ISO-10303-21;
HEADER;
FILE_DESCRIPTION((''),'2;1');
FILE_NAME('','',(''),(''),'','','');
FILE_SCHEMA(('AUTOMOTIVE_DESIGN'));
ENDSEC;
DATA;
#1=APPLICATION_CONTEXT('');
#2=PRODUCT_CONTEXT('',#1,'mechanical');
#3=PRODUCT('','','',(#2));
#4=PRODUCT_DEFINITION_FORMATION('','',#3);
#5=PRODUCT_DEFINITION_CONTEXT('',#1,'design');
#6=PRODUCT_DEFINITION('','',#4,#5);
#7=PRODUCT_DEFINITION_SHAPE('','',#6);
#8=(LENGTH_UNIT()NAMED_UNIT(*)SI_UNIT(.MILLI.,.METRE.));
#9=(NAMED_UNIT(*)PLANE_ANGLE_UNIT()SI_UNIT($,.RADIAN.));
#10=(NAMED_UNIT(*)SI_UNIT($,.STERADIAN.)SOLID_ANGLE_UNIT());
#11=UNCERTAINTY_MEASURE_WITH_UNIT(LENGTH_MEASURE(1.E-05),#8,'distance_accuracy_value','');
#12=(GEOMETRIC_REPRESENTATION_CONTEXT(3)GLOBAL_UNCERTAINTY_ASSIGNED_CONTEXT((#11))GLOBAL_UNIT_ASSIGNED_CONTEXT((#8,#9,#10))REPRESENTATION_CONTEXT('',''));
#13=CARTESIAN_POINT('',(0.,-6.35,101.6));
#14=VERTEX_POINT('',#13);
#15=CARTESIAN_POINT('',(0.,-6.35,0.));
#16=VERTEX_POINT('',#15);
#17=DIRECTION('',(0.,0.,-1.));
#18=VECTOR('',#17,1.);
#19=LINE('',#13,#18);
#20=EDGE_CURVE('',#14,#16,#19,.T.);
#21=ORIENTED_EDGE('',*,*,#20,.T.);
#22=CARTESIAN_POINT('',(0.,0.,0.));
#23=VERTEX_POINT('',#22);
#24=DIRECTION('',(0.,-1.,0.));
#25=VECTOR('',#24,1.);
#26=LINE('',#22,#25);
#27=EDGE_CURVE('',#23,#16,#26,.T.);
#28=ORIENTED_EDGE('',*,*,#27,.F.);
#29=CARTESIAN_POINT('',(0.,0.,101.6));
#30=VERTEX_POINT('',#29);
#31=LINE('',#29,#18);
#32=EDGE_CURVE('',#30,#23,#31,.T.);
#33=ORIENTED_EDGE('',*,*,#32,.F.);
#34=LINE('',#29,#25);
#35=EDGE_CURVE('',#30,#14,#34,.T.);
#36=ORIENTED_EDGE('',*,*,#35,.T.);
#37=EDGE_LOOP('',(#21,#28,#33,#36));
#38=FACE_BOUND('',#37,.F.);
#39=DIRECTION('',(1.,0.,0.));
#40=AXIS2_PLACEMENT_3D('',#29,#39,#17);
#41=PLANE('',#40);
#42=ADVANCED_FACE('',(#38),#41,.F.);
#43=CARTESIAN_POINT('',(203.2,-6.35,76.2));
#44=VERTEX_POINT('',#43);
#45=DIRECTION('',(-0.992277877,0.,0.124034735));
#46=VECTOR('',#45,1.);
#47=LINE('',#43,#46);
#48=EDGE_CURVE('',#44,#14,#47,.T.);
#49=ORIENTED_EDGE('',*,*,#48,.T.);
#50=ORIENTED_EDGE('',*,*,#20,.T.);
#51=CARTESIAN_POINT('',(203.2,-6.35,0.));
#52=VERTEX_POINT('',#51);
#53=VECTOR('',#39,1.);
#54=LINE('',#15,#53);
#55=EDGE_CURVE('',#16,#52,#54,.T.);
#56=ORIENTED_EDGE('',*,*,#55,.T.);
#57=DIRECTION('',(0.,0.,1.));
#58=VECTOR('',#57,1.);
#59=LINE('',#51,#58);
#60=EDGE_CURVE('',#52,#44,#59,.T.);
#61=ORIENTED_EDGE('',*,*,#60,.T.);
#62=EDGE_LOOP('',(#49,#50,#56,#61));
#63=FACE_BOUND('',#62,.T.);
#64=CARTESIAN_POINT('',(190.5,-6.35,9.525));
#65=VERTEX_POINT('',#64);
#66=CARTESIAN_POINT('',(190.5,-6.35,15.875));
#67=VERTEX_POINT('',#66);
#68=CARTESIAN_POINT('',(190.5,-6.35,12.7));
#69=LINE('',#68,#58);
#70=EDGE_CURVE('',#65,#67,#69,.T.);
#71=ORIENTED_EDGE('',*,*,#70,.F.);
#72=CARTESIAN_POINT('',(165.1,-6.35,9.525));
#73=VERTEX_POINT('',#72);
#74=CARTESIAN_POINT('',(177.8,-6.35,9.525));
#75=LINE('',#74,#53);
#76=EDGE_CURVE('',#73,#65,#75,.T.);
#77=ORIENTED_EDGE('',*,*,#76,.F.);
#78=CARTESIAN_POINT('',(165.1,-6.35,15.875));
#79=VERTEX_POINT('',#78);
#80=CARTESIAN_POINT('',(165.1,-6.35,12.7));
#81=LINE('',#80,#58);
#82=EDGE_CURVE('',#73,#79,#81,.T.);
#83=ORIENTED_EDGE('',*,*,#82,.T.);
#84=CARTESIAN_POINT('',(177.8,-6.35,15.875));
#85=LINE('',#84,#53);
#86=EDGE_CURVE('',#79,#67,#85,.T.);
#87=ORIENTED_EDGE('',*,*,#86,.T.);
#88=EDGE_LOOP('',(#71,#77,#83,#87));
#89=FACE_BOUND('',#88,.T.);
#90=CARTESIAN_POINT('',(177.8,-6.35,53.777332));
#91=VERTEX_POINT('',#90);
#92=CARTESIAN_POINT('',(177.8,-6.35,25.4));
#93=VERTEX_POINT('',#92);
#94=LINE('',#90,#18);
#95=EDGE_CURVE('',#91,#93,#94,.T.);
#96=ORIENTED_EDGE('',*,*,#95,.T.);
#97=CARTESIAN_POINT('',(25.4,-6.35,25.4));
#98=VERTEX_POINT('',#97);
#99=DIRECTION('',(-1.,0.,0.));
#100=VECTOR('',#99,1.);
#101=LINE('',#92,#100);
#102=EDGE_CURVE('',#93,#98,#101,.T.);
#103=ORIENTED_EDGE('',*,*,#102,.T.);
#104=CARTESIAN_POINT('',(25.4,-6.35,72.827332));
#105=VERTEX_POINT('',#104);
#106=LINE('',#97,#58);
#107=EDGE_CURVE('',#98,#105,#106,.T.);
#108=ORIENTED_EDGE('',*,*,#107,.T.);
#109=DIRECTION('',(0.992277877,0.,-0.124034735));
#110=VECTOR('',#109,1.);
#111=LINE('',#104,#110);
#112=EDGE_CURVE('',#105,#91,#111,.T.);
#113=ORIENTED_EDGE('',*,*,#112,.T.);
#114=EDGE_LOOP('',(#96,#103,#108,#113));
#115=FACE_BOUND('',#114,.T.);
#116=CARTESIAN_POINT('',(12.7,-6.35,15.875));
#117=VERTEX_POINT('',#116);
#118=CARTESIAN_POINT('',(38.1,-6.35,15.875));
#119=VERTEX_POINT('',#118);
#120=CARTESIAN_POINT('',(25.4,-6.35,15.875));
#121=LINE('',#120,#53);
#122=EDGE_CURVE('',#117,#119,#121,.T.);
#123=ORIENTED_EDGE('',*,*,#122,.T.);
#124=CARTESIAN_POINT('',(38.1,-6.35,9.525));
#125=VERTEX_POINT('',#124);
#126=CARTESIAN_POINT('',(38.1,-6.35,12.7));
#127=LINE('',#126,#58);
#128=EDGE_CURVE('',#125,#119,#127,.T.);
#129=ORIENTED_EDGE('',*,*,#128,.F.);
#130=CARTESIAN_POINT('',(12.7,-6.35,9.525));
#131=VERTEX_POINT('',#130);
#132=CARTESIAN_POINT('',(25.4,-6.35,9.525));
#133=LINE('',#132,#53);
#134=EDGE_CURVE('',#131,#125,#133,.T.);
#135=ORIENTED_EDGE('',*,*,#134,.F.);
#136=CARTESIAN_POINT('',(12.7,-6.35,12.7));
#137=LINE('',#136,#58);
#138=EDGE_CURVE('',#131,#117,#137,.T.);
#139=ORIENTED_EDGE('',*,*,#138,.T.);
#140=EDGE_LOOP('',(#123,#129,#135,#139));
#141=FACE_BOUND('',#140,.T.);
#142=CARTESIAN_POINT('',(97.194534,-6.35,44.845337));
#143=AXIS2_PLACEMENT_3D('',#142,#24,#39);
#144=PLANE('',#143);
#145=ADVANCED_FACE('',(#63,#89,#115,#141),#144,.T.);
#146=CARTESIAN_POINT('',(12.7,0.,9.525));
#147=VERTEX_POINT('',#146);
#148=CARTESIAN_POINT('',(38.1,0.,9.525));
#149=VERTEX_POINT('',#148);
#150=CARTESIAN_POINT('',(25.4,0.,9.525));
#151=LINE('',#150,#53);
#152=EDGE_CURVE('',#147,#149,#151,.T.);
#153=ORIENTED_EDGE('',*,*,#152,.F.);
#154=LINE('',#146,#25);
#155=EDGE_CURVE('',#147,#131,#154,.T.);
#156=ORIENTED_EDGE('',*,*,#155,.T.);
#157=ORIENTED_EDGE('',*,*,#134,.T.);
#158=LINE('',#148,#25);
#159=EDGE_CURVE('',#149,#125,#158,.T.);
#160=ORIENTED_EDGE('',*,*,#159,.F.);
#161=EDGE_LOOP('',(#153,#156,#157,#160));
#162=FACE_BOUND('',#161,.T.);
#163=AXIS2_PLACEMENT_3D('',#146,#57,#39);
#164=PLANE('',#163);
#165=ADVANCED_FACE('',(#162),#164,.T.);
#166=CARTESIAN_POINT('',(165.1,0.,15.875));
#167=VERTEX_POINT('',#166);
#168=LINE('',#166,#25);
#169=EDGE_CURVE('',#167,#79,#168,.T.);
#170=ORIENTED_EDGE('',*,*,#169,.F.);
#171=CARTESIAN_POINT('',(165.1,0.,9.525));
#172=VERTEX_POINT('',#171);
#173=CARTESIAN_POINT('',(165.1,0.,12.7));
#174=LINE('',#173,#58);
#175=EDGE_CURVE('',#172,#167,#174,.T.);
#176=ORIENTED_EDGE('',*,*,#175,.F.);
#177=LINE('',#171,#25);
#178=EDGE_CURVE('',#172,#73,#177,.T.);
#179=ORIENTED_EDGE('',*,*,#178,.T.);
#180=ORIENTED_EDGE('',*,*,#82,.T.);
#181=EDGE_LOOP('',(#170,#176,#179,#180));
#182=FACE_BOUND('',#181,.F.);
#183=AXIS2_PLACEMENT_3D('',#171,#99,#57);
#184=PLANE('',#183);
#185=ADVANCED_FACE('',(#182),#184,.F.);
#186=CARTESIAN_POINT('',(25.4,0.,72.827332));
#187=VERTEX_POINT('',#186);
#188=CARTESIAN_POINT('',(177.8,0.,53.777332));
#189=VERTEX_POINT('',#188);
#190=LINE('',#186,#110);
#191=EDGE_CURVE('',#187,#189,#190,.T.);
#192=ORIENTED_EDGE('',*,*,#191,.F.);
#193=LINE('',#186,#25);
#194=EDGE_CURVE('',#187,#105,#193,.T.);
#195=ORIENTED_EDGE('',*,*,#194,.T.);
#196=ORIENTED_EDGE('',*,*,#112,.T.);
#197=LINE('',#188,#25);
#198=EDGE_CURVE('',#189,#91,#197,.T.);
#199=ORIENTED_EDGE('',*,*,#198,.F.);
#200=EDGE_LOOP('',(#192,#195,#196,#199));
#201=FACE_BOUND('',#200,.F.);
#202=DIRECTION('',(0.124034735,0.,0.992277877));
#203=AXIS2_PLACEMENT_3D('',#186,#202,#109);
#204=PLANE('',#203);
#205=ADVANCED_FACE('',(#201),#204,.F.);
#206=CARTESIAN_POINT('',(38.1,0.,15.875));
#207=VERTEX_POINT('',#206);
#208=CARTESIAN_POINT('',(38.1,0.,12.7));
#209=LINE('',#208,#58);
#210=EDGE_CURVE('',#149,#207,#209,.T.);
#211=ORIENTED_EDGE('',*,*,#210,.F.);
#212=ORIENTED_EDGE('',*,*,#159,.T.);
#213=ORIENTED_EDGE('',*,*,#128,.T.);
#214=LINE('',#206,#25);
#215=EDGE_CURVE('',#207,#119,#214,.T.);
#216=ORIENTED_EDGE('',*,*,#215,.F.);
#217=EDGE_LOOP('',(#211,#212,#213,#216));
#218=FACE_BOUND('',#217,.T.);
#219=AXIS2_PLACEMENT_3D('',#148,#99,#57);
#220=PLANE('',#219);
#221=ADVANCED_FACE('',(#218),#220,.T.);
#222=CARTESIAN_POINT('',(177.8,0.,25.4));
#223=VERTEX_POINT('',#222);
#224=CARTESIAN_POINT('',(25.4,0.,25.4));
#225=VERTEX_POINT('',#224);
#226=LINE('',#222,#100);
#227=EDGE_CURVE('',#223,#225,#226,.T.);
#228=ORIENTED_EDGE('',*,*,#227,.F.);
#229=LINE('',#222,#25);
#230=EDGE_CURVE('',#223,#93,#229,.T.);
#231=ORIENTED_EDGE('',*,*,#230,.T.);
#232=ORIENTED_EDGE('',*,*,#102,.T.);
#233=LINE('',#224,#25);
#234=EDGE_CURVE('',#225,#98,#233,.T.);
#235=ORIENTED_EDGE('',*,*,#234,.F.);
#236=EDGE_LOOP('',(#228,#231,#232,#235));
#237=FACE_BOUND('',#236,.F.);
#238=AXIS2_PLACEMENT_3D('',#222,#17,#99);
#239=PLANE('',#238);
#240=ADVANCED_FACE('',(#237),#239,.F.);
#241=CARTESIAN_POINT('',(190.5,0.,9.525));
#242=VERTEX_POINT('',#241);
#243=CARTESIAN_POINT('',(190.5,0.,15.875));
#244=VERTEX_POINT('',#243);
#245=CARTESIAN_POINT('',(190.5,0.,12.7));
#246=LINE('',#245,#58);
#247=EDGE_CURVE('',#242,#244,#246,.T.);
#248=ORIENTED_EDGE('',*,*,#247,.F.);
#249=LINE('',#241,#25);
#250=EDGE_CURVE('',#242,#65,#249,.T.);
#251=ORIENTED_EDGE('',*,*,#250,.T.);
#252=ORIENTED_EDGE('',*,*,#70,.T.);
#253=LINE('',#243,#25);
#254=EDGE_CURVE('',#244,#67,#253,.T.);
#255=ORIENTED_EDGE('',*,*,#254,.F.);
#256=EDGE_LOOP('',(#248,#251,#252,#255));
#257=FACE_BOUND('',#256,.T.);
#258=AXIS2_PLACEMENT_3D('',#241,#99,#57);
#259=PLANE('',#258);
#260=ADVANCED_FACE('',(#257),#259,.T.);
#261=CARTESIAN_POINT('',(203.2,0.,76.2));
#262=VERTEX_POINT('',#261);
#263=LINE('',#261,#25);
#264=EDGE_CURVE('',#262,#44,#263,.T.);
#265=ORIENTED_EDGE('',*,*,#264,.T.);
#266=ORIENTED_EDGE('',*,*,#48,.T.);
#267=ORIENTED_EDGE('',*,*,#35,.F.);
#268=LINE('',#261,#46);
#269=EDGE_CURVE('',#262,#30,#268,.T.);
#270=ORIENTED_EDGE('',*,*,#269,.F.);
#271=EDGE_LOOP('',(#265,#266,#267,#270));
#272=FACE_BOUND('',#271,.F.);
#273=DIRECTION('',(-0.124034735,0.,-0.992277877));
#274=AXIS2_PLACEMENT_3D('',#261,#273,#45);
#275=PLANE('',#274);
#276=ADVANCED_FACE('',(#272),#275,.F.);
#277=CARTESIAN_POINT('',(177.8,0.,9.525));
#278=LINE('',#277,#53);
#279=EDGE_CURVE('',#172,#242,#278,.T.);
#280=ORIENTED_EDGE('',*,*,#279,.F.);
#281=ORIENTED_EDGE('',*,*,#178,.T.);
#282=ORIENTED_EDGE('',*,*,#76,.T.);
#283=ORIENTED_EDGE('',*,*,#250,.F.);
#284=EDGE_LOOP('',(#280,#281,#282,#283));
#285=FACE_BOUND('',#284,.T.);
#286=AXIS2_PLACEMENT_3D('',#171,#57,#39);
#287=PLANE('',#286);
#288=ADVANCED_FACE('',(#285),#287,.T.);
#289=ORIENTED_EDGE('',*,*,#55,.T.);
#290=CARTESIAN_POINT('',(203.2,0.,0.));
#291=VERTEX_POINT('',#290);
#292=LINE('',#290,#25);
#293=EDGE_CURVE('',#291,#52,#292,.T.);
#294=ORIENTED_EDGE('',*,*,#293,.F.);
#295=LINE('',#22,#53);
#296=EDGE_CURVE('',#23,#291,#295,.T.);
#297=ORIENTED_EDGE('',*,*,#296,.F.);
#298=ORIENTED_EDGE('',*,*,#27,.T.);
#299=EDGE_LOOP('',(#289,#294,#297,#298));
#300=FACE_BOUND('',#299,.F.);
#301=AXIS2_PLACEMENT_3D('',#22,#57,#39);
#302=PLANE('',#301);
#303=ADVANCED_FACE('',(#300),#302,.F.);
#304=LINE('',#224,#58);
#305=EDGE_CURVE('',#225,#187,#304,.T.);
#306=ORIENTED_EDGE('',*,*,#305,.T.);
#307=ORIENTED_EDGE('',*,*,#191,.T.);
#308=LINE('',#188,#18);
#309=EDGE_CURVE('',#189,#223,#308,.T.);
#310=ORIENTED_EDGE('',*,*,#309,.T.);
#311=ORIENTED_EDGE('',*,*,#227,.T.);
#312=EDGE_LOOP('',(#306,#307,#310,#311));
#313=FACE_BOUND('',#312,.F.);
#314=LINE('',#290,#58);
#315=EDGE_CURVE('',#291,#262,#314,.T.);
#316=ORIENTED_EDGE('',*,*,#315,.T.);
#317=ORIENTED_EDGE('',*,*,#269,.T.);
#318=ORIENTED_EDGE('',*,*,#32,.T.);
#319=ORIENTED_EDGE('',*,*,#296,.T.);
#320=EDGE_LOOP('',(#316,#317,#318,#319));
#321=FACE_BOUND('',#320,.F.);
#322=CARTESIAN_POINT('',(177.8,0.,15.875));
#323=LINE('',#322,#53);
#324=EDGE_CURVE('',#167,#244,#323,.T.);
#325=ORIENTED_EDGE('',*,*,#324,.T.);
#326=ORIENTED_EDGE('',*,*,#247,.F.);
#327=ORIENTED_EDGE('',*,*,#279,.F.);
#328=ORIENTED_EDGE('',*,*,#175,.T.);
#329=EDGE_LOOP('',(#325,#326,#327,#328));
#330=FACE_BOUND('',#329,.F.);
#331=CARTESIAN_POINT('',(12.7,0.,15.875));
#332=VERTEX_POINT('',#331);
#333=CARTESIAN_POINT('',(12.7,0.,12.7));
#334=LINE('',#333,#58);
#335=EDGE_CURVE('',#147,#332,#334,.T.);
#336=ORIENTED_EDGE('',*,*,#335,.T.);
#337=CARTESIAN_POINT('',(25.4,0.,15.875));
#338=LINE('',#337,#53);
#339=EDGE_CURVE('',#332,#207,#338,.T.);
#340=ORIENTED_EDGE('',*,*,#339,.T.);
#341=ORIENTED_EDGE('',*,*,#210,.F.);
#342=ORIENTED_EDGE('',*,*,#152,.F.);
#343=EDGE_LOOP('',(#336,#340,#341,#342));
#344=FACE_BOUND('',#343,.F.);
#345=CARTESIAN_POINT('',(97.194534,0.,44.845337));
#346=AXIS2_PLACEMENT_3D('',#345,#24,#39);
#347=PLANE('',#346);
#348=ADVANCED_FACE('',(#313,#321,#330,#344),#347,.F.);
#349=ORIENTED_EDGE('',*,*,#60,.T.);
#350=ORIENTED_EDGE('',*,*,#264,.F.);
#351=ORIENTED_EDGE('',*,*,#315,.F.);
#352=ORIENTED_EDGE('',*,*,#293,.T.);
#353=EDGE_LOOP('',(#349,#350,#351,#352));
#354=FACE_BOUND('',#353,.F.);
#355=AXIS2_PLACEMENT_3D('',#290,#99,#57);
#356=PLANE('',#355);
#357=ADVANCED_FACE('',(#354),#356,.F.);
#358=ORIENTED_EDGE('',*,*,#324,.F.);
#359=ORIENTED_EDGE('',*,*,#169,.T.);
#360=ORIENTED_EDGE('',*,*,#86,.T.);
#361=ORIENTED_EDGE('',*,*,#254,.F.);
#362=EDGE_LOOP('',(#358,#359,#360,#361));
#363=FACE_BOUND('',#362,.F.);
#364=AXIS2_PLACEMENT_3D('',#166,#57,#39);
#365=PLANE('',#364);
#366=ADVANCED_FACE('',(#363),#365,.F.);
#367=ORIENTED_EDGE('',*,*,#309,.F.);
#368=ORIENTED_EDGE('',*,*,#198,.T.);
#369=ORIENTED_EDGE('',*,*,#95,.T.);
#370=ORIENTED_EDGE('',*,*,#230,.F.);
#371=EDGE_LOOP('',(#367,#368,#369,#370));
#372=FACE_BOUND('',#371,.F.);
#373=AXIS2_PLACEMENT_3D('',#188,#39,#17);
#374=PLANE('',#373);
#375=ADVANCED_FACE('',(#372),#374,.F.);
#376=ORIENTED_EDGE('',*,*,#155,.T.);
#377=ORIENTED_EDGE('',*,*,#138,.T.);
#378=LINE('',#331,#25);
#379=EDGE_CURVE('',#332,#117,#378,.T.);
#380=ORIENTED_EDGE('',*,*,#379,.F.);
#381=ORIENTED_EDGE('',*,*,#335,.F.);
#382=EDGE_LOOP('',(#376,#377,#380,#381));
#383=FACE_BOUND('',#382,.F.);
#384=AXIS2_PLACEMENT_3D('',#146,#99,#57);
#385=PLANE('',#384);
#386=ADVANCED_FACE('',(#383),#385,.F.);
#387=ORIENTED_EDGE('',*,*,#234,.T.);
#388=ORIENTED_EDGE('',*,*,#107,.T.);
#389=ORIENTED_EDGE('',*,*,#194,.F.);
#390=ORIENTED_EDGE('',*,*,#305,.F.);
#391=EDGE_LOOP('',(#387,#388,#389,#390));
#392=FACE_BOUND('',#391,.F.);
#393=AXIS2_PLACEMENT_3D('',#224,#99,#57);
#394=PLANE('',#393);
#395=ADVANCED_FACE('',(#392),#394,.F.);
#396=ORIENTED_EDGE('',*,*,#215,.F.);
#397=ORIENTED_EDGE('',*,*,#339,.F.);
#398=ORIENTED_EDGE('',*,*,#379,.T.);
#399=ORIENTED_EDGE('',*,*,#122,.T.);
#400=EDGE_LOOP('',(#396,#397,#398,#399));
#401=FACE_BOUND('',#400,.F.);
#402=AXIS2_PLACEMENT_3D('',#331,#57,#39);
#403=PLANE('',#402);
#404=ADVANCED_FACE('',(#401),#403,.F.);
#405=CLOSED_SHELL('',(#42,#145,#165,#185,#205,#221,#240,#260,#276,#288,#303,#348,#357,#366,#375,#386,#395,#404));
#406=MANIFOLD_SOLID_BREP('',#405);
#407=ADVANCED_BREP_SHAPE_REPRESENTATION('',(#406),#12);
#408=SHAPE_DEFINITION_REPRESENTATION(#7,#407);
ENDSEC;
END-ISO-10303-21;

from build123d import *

# Parameters (mm, degrees)
F0_W     = 25.4
F0_H     = 6.35
F1_DEPTH = 6.35


with BuildPart() as f1:
    # F0 (on Front) → F1 (new body)
    with BuildSketch(Plane.XZ):
        Polygon((0, 101.6), (0, 0), (203.2, 0), (203.2, 76.2), align=None)
        with Locations((25.4, 12.7)):
            Rectangle(F0_W, F0_H, mode=Mode.SUBTRACT)
        with Locations((177.8, 12.7)):
            Rectangle(F0_W, F0_H, mode=Mode.SUBTRACT)
        Polygon((25.4, 25.4), (25.4, 72.827332), (177.8, 53.777332), (177.8, 25.4), align=None, mode=Mode.SUBTRACT)
    extrude(amount=F1_DEPTH)


solid = f1.part
